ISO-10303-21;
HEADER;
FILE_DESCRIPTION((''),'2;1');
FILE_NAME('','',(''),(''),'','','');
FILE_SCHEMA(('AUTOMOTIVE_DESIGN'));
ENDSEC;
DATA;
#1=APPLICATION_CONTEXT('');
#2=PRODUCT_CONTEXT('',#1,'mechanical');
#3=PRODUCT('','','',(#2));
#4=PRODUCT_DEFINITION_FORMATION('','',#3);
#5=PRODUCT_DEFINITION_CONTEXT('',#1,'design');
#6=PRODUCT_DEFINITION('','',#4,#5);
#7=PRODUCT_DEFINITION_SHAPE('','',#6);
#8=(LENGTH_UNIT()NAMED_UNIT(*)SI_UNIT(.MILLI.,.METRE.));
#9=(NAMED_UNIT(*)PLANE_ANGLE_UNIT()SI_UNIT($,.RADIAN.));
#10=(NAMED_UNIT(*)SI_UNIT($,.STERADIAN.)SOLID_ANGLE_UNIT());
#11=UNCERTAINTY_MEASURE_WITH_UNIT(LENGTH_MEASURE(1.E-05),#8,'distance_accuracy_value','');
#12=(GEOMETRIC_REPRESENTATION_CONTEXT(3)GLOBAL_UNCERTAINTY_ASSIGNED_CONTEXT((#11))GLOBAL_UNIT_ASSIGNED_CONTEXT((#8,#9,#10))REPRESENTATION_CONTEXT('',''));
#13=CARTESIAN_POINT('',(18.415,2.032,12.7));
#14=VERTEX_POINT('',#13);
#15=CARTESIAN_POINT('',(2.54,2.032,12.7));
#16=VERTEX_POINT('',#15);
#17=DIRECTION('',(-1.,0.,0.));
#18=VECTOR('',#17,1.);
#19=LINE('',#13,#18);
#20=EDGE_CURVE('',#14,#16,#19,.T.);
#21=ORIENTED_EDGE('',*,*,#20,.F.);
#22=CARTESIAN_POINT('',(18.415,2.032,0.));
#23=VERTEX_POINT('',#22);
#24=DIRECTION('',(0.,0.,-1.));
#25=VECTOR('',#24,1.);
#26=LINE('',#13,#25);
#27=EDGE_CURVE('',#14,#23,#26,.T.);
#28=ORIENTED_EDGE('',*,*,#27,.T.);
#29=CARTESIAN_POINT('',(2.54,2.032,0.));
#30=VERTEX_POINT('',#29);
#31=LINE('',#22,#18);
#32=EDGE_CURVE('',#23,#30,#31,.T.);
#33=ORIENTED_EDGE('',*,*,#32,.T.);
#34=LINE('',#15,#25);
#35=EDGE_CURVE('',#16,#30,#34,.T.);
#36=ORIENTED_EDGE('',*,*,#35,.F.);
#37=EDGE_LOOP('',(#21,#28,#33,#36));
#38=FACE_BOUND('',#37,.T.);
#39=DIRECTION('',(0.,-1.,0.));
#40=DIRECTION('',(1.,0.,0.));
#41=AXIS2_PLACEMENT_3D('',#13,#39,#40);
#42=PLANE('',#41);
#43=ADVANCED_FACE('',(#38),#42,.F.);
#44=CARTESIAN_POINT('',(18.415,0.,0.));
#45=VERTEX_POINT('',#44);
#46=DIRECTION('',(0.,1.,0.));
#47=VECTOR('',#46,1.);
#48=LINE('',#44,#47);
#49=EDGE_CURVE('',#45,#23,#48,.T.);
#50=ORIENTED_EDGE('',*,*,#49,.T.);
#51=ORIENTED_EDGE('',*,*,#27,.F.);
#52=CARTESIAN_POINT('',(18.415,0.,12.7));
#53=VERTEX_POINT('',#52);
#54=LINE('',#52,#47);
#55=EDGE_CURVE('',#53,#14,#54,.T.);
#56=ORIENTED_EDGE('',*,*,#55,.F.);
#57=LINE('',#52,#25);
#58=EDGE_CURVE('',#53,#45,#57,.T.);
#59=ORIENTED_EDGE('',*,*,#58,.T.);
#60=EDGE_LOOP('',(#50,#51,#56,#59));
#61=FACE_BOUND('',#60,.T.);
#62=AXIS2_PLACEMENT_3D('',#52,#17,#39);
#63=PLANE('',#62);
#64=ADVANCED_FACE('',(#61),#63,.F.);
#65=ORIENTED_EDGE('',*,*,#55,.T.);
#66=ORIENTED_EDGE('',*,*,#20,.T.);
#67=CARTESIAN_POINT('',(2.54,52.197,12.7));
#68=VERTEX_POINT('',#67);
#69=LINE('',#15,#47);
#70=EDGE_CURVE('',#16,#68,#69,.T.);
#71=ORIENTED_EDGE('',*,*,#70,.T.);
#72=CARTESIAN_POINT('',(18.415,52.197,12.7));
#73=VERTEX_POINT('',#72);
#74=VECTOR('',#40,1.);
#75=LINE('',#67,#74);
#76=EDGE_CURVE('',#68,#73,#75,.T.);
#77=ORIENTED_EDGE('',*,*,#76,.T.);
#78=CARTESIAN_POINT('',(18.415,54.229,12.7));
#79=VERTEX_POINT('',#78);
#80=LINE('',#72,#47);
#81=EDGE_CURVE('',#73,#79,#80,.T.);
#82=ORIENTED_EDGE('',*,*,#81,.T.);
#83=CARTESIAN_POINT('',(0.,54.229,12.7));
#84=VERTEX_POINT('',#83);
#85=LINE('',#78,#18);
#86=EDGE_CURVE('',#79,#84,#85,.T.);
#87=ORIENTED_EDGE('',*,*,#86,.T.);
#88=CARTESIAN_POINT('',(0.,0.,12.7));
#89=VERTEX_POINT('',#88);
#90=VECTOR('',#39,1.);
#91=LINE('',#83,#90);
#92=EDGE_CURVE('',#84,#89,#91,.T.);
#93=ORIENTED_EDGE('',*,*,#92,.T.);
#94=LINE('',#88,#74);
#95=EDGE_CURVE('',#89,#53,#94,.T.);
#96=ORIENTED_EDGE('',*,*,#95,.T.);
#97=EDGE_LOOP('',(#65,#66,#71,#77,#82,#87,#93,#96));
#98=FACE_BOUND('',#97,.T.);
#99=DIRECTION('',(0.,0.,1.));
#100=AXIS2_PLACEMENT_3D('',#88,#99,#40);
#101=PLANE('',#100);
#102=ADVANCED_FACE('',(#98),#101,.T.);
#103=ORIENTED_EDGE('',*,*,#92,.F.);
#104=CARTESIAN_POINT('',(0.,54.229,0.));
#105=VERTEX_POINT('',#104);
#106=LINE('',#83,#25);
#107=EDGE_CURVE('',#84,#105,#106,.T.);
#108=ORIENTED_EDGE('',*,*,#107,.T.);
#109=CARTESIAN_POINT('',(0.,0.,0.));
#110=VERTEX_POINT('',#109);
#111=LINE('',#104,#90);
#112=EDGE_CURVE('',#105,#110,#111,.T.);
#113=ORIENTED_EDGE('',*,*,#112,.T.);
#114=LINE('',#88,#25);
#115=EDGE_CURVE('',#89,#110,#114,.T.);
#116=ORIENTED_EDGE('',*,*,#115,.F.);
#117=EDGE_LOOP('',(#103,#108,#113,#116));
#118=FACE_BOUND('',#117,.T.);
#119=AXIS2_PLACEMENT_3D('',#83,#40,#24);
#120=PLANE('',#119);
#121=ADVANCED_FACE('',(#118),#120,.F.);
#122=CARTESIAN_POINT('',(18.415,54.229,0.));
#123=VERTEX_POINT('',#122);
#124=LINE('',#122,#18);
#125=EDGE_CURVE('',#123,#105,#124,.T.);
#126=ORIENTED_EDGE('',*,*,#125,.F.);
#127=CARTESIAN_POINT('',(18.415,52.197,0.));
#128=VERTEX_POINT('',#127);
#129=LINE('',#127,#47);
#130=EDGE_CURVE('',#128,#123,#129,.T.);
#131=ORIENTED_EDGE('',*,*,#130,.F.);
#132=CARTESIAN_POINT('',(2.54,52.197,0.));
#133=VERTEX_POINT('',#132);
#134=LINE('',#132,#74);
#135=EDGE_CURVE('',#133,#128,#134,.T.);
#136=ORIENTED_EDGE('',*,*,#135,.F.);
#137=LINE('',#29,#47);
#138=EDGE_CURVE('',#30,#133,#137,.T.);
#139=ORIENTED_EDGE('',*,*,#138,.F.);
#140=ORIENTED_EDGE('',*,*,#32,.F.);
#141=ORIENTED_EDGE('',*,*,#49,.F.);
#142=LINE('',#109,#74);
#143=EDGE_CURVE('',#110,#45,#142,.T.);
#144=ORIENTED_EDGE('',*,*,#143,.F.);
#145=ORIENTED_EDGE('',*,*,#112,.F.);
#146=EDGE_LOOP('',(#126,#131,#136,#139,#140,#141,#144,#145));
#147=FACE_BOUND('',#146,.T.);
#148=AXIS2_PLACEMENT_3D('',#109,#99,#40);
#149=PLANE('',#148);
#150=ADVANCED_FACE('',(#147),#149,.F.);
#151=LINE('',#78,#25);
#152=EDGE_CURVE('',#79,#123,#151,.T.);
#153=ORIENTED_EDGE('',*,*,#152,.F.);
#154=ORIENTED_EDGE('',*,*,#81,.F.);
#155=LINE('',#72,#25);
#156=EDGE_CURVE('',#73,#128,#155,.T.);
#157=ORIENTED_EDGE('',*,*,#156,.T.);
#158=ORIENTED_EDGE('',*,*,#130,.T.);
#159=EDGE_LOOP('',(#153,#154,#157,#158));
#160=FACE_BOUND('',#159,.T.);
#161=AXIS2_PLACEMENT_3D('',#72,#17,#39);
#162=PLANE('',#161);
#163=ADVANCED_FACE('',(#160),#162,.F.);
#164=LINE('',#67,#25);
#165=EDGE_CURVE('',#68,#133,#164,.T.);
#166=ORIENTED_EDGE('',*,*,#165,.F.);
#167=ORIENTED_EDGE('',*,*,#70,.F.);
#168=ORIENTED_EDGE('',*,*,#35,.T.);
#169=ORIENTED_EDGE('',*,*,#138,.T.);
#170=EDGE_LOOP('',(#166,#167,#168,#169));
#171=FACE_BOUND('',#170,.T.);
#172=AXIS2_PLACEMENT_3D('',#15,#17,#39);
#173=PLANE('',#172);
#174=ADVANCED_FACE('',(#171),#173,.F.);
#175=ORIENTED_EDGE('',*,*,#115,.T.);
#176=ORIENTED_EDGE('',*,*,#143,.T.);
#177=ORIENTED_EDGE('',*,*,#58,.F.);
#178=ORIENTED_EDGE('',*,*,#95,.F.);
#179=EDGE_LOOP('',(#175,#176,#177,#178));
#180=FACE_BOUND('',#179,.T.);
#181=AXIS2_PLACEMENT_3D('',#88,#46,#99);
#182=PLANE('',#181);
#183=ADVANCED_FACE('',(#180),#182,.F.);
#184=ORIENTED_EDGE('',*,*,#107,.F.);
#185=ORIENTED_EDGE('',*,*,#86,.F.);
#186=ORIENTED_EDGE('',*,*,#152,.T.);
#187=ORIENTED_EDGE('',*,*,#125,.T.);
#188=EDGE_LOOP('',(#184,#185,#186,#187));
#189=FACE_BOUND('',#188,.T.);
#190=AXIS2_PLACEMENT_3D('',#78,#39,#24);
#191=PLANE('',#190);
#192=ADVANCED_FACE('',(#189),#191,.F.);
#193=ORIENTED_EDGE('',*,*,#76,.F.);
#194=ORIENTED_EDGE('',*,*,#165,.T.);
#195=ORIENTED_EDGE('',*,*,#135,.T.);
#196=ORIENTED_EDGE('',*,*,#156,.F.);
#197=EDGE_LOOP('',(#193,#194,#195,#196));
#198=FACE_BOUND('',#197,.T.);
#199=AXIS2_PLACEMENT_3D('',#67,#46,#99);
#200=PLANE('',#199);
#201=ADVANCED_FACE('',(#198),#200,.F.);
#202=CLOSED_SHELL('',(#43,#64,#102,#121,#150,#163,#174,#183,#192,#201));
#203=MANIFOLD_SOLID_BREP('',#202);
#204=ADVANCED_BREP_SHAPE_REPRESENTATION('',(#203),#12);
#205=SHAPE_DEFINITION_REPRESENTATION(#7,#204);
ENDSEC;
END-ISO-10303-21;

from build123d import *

# Parameters (mm, degrees)
BOSS_EXTRUDE1_DEPTH = 12.7


with BuildPart() as part:
    # Sketch1 → Boss-Extrude1 (new body)
    with BuildSketch(Plane.XY):
        Polygon((18.415, 54.229), (0, 54.229), (0, 0), (18.415, 0), (18.415, 2.032), (2.54, 2.032), (2.54, 52.197), (18.415, 52.197), align=None)
    extrude(amount=BOSS_EXTRUDE1_DEPTH)


solid = part.part
